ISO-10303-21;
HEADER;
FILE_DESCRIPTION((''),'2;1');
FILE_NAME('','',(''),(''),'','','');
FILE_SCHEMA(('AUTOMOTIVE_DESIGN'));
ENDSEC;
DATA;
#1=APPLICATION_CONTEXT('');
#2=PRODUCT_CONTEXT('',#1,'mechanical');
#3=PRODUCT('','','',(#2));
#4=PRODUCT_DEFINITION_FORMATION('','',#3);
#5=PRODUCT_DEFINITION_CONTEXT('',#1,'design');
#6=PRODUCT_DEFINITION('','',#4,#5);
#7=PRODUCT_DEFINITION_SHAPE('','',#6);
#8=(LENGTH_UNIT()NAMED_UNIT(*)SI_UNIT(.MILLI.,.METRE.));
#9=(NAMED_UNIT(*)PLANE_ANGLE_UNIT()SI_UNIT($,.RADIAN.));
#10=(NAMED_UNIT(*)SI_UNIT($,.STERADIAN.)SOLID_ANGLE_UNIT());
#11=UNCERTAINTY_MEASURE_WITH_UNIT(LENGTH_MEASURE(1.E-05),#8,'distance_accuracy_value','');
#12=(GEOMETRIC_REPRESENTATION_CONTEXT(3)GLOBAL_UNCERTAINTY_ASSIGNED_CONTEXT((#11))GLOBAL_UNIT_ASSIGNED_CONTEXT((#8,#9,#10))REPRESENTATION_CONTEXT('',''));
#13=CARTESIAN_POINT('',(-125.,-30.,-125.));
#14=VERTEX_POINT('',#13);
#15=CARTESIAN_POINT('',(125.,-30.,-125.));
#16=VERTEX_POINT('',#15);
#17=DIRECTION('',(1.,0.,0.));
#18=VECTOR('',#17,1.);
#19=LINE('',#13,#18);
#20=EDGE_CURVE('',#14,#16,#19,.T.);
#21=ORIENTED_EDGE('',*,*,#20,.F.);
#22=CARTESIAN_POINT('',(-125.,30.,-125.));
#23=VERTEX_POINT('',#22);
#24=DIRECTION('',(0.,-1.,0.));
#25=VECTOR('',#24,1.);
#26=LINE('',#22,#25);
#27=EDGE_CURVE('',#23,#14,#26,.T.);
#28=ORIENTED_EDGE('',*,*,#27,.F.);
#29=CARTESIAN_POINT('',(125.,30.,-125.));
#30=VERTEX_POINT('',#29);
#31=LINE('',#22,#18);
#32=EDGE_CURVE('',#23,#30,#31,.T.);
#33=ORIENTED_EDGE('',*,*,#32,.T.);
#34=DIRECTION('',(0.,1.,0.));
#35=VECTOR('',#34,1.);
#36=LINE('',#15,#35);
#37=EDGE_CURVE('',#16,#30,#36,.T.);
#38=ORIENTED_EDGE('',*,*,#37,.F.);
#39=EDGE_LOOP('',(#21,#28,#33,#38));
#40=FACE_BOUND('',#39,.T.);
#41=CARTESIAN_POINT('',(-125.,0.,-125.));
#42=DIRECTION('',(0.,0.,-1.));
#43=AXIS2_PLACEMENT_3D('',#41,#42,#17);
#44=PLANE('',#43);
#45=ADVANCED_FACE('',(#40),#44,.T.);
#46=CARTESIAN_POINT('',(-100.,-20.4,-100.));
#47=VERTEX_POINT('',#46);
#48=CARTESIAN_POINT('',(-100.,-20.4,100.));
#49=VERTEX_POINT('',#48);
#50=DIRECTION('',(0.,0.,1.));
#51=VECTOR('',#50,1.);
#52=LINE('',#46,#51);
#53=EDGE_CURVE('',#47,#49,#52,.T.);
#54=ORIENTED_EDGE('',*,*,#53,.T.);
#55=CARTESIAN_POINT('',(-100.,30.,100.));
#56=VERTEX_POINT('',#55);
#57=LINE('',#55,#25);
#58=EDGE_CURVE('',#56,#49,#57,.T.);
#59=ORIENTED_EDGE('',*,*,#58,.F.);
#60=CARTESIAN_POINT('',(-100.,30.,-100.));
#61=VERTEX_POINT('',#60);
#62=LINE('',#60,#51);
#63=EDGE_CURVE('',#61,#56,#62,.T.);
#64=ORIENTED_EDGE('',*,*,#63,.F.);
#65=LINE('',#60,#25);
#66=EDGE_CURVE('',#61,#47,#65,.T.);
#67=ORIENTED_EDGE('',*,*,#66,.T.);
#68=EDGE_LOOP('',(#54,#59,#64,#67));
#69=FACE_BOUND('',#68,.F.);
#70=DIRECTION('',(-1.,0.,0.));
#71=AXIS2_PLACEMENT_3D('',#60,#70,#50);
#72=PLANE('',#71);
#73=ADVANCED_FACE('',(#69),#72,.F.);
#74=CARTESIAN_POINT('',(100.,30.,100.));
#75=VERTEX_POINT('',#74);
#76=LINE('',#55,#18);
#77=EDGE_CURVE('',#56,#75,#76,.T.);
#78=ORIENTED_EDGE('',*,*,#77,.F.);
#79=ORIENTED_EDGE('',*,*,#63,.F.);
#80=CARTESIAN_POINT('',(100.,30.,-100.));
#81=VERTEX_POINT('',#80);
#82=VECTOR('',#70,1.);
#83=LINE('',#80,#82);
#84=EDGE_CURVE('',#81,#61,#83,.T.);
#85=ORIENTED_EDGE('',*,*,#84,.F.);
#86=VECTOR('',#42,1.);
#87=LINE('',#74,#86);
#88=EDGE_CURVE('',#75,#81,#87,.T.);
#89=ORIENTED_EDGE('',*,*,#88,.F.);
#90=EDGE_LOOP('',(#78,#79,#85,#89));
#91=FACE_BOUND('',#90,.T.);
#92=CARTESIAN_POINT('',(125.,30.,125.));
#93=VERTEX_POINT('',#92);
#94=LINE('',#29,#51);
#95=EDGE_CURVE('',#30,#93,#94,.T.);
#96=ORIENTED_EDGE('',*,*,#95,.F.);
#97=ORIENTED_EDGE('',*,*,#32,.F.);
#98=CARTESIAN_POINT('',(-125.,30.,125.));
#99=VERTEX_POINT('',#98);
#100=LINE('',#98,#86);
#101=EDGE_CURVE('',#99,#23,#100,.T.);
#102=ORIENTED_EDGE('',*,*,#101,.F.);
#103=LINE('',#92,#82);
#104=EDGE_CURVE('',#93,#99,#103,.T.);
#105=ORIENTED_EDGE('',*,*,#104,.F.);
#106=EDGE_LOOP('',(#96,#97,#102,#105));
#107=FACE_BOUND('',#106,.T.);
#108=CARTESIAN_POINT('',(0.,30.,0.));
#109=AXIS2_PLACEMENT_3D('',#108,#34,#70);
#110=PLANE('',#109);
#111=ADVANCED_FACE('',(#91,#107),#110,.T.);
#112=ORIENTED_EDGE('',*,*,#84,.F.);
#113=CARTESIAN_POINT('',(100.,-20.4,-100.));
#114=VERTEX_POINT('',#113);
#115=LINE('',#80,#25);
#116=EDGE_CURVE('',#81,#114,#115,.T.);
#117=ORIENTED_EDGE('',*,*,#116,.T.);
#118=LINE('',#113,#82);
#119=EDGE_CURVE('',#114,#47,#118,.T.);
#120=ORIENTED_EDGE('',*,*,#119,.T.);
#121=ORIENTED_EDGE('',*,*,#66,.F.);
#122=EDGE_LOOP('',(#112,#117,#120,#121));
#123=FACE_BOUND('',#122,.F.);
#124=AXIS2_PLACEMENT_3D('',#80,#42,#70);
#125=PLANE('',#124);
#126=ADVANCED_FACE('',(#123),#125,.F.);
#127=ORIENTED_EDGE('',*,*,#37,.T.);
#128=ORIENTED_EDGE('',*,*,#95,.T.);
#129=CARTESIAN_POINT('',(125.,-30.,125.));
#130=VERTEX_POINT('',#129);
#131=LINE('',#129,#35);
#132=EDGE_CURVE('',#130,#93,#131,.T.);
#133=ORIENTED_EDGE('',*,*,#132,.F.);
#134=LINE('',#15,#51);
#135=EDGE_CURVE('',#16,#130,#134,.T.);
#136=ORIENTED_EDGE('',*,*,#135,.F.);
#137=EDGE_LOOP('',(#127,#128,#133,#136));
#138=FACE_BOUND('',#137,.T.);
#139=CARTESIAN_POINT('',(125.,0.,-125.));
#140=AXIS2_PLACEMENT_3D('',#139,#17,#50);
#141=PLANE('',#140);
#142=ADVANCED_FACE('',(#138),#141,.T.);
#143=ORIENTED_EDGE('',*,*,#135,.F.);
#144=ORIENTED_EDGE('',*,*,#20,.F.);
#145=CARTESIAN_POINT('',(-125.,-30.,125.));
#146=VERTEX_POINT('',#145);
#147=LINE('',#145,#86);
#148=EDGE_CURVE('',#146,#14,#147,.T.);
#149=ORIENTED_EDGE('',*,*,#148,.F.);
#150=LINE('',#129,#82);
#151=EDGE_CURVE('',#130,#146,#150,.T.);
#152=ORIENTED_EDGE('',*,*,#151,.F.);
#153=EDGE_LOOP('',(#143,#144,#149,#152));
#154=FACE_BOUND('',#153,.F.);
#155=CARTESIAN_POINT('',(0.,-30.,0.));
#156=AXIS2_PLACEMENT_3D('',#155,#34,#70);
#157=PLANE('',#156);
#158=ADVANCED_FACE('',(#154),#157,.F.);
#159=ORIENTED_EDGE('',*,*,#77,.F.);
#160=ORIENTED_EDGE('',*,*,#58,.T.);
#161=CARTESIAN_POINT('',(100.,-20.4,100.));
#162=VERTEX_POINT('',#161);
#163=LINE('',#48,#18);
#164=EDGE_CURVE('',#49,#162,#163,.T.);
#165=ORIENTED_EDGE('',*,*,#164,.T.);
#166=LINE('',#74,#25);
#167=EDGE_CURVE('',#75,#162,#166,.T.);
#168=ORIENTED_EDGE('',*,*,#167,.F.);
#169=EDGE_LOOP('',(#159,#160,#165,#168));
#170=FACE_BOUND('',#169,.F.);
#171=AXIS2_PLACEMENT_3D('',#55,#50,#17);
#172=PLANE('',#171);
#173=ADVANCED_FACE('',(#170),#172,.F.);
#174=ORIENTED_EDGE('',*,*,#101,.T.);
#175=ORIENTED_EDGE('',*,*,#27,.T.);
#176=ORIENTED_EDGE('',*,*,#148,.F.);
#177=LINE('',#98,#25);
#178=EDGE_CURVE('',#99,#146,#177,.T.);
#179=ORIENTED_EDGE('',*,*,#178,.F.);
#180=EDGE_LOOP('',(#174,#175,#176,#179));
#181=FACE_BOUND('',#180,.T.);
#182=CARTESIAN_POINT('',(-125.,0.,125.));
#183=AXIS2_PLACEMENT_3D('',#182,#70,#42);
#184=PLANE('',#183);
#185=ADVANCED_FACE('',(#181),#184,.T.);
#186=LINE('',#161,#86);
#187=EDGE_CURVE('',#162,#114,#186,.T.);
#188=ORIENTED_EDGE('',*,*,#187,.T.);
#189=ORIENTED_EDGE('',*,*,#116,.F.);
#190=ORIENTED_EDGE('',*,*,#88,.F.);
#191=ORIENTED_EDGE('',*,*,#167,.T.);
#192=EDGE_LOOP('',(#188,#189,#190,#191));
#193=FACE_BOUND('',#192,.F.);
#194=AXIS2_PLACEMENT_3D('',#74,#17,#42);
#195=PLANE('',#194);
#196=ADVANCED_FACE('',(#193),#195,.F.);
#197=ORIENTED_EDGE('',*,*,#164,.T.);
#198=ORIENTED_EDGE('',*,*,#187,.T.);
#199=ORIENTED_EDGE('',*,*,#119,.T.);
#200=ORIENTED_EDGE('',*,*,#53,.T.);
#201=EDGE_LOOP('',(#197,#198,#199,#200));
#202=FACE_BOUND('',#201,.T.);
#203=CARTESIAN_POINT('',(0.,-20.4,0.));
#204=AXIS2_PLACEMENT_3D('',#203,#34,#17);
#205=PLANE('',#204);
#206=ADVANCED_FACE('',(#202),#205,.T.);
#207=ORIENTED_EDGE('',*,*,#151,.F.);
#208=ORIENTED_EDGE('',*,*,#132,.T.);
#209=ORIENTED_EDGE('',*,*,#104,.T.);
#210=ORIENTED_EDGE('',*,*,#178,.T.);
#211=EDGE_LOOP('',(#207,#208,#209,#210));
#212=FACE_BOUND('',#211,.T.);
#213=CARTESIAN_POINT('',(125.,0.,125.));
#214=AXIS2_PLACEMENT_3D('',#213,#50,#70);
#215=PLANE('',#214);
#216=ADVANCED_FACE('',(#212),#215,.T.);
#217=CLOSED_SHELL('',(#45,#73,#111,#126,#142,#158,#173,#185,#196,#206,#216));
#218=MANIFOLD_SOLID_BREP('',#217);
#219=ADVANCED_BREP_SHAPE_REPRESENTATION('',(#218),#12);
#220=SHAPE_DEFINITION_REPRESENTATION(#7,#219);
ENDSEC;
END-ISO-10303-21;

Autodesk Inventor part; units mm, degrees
ref_plane "YZ Plane" through (0, 0, 0) normal (1, 0, 0) x (0, 1, 0)
ref_plane "XZ Plane" through (0, 0, 0) normal (0, 1, 0) x (-1, 0, 0)
ref_plane "XY Plane" through (0, 0, 0) normal (0, 0, 1) x (1, 0, 0)
sketch "Sketch1" plane through (0, 0, 0) normal (0, 1, 0) x (-1, 0, 0)
  line L0 (-125, 125) -> (125, 125)
  line L1 (125, 125) -> (125, -125)
  line L2 (125, -125) -> (-125, -125)
  line L3 (-125, -125) -> (-125, 125)
  line L4 (-125, 125) -> (125, -125) construction
  line L5 (125, 125) -> (-125, -125) construction
  point P0 (0, 0)
  dimension "d0" = 250
extrude "Extrusion1" add sketch "Sketch1" along normal mid plane 60
sketch "Sketch2" plane through (0, 30, 0) normal (0, 1, 0) x (1, 0, 0)
  line L0 (-100, -100) -> (100, -100)
  line L1 (100, -100) -> (100, 100)
  line L2 (100, 100) -> (-100, 100)
  line L3 (-100, 100) -> (-100, -100)
  line L4 (-100, -100) -> (100, 100) construction
  line L5 (100, -100) -> (-100, 100) construction
  point P0 (0, 0)
  dimension "d3" = 200
extrude "Extrusion2" cut sketch "Sketch2" against normal blind 50.4
properties part number "Box"
